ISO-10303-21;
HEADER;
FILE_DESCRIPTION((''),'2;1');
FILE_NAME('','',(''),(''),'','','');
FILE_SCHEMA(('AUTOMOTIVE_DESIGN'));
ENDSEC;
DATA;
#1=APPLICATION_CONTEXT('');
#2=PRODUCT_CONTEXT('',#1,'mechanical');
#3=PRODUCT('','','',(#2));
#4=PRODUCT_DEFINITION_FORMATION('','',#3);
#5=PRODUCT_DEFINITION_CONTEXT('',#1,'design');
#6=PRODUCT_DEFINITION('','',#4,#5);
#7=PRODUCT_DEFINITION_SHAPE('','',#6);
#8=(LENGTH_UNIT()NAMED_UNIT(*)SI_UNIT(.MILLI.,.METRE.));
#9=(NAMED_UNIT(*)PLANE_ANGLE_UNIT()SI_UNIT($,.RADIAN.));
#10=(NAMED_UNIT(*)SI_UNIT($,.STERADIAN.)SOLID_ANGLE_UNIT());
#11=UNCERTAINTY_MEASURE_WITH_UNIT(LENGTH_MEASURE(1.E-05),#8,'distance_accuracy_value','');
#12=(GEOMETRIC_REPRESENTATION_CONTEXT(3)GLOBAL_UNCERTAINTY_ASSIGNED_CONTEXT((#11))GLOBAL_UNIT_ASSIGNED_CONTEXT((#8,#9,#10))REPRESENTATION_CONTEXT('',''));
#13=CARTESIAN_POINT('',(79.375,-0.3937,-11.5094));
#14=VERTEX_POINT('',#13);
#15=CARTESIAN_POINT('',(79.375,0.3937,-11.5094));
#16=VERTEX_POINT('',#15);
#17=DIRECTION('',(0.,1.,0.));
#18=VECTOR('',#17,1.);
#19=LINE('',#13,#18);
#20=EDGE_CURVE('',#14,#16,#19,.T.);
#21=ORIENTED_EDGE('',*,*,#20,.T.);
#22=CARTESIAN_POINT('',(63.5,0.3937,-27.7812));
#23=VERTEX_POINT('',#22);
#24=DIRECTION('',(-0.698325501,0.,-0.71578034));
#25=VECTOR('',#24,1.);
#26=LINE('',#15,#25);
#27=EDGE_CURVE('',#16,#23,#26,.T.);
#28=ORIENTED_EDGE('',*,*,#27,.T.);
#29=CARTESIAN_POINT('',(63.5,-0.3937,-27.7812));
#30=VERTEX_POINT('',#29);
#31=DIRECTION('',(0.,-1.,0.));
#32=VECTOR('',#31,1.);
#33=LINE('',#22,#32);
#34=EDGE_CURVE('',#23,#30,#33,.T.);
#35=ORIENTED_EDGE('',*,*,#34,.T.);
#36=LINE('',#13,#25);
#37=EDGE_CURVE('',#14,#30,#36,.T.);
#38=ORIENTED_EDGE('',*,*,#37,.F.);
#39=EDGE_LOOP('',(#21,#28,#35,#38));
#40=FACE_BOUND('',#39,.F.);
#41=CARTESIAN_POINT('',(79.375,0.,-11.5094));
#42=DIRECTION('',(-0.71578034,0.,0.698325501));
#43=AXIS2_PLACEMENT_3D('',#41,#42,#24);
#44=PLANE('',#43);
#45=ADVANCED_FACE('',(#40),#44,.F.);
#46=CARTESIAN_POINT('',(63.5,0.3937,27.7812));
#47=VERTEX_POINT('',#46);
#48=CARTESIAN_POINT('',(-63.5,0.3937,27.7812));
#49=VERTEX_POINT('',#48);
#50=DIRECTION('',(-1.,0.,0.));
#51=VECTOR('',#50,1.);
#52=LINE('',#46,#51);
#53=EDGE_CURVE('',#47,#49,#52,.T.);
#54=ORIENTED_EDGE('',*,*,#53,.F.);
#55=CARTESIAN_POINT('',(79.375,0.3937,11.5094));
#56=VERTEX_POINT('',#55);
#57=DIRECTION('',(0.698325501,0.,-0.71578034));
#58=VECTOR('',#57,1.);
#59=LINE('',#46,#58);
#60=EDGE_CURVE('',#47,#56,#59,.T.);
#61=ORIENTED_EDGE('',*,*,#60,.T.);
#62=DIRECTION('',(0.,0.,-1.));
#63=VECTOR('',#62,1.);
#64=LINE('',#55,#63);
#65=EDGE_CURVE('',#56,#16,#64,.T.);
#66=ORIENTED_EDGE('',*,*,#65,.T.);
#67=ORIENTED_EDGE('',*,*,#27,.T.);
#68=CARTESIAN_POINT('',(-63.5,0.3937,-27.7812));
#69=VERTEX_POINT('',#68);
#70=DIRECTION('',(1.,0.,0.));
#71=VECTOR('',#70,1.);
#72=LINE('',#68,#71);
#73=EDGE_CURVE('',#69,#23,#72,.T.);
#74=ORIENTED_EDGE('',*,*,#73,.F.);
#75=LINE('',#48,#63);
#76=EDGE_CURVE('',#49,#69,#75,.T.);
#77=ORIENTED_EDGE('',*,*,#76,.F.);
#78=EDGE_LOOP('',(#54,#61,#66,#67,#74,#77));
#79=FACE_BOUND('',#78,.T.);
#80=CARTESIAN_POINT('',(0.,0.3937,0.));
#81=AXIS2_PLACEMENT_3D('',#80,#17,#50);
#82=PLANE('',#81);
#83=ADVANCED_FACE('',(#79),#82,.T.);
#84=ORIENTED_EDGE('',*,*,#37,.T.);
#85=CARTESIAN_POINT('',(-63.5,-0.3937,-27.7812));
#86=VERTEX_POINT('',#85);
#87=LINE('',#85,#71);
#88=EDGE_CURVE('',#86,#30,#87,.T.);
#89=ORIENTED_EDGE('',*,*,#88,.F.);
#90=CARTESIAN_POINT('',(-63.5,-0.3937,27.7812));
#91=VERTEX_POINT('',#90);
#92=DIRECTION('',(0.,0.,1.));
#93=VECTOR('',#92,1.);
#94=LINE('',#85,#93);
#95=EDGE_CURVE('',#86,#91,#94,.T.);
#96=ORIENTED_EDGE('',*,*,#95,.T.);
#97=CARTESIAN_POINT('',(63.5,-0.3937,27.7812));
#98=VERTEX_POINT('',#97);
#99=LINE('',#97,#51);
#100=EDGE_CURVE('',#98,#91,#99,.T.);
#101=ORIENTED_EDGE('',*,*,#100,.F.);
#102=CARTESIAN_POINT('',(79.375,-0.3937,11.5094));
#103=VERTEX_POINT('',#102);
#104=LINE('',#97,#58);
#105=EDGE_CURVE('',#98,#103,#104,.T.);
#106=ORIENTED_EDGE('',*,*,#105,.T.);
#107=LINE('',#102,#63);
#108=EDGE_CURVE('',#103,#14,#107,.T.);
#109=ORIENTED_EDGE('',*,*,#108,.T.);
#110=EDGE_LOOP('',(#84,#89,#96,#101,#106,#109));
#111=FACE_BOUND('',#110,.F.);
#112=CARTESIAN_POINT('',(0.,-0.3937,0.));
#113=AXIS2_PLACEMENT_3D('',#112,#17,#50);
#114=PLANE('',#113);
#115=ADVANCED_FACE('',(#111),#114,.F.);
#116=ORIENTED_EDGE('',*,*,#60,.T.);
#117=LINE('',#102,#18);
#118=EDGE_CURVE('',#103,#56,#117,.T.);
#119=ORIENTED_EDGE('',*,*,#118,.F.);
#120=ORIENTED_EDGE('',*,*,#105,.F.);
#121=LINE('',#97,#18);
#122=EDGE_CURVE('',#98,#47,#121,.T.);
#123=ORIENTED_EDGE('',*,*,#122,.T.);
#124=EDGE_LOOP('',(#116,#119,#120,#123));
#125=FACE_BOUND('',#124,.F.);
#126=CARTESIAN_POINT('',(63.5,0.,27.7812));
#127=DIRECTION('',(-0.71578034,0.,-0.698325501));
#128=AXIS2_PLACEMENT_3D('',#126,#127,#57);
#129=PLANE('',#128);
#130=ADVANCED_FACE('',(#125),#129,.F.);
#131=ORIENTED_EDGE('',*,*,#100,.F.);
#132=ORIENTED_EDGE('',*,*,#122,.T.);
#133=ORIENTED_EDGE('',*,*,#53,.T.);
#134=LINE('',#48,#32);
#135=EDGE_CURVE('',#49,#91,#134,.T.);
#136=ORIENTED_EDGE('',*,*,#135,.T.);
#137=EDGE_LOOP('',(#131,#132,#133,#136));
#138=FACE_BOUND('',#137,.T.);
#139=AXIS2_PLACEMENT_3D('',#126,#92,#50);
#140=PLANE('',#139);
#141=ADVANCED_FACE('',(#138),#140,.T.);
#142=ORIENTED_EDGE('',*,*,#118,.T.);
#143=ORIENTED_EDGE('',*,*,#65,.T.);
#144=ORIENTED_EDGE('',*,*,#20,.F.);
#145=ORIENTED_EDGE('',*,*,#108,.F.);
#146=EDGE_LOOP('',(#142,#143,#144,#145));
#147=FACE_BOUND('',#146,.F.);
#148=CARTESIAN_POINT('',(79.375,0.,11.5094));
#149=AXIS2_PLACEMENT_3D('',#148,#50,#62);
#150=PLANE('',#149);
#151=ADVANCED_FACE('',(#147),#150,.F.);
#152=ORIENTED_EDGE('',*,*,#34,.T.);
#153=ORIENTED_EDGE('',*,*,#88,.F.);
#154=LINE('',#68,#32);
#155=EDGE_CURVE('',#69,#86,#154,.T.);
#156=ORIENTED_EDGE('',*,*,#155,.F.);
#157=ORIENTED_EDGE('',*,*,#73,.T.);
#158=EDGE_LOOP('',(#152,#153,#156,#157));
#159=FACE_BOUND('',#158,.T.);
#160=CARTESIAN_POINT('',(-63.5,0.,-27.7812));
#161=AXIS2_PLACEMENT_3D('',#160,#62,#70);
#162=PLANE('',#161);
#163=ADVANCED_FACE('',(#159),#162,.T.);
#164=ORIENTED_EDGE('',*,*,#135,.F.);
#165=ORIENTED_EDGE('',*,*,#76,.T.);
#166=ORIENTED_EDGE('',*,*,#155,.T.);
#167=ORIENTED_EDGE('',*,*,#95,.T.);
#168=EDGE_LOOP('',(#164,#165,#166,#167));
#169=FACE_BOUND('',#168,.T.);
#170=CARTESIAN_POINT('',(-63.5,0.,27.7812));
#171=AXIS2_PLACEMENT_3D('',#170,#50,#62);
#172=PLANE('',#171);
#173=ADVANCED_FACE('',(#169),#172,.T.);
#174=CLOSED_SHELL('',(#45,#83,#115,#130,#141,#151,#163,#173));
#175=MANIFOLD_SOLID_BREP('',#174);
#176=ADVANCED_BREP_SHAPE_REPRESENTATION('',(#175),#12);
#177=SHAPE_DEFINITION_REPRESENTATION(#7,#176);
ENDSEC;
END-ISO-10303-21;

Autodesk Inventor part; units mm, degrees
ref_plane "YZ Plane" through (0, 0, 0) normal (1, 0, 0) x (0, 1, 0)
ref_plane "XZ Plane" through (0, 0, 0) normal (0, 1, 0) x (-1, 0, 0)
ref_plane "XY Plane" through (0, 0, 0) normal (0, 0, 1) x (1, 0, 0)
sketch "Sketch1" plane through (0, 0, 0) normal (0, 1, 0) x (-1, 0, 0)
  line L0 (-60.5593, 27.4889) -> (62.6411, -28.4339) construction
  line L1 (62.6424, 27.1286) -> (-64.3576, -27.8714) construction
  line L2 (-77.4954, -16.5) -> (-44.4954, -16.5) construction
  line L3 (-63.5, 27.7812) -> (63.5, 27.7812)
  line L4 (63.5, 27.7812) -> (63.5, -27.7812)
  line L5 (63.5, -27.7812) -> (-63.5, -27.7812)
  line L6 (-63.5, 27.7812) -> (63.5, -27.7812) construction
  line L7 (63.5, 27.7812) -> (-63.5, -27.7812) construction
  line L8 (-63.5, 11.5094) -> (63.5, 11.5094)
  line L9 (63.5, 11.5094) -> (63.5, -11.5094)
  line L10 (63.5, -11.5094) -> (-63.5, -11.5094)
  line L11 (-63.5, 11.5094) -> (63.5, -11.5094) construction
  line L12 (63.5, 11.5094) -> (-63.5, -11.5094) construction
  line L13 (-79.375, 11.5094) -> (-79.375, -11.5094)
  line L14 (-63.5, 27.7812) -> (-79.375, 11.5094)
  line L15 (-79.375, -11.5094) -> (-63.5, -27.7812)
  point P0 (0, 0)
  dimension "d1" = 55.5625
  dimension "d6" = 127
  dimension "d7" = 55.5625
  dimension "d8" = 127
  dimension "d9" = 23.0188
extrude "Extrusion1" add sketch "Sketch1" along normal mid plane 0.7874
properties part number "140x55mm-PCB"
